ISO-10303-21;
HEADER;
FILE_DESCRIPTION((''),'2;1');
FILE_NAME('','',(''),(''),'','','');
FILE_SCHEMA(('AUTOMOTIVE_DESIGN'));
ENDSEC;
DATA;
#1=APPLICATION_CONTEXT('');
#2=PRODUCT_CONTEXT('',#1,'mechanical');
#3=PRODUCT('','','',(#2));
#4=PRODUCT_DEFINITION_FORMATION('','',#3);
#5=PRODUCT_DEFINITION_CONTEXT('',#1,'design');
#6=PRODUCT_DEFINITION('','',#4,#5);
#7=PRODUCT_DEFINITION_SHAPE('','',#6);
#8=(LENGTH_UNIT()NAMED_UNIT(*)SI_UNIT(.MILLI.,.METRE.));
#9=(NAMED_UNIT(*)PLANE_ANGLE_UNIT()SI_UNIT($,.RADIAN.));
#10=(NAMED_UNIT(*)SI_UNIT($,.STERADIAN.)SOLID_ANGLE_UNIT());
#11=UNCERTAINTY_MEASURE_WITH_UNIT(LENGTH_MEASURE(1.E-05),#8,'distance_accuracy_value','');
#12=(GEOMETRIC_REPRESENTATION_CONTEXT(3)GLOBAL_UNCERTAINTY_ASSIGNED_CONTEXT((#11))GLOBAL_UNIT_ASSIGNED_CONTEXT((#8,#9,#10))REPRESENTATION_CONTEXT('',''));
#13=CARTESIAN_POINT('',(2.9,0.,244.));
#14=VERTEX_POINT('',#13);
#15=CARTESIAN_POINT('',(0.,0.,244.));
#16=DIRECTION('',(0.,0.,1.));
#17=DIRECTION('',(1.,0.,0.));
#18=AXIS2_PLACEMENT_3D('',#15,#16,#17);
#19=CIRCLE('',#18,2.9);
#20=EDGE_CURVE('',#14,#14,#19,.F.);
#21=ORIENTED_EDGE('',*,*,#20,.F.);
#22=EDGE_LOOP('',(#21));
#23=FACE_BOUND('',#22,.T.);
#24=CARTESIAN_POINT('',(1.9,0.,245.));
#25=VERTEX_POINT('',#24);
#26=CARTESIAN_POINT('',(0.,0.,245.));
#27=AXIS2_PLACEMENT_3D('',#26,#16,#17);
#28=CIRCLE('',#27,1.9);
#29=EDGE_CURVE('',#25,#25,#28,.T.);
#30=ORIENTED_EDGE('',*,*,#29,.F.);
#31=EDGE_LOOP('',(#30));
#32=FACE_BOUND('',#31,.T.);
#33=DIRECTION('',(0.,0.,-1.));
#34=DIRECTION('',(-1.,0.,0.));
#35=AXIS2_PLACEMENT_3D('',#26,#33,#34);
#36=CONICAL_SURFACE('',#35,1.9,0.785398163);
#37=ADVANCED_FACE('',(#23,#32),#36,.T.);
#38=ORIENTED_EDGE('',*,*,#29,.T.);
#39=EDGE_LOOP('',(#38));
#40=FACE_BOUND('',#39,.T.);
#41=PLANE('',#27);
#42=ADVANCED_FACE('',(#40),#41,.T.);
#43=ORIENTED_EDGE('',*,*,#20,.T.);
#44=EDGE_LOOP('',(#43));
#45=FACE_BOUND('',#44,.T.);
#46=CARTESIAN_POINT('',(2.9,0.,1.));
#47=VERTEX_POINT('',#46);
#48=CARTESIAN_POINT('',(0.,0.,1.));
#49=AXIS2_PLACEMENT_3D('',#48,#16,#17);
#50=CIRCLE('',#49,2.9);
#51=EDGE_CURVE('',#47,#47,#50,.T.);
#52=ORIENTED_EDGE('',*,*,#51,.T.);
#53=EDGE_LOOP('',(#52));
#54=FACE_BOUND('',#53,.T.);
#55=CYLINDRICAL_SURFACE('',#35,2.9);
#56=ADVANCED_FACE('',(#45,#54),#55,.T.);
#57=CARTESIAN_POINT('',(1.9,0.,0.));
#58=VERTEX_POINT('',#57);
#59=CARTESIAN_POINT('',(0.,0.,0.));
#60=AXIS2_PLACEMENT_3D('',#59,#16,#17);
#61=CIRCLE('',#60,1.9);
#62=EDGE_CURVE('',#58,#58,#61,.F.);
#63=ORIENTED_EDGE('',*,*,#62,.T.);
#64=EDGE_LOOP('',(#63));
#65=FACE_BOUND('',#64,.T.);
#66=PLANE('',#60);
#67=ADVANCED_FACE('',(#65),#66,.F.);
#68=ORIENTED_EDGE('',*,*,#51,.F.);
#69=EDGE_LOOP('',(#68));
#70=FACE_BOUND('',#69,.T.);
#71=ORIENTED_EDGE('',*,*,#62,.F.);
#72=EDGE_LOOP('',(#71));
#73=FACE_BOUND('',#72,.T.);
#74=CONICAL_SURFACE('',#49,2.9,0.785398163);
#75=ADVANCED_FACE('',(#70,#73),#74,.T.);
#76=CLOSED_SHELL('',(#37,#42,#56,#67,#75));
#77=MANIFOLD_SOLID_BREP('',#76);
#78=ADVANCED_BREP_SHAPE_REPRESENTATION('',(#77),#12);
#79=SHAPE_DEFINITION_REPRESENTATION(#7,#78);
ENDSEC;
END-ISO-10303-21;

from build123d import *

# Parameters (mm, degrees)
SKETCH_1_R      = 2.9
EXTRUDE_1_DEPTH = 245
CHAMFER_1_SIZE  = 1


with BuildPart() as part:
    # Эскиз1 → Бобышка-Вытянуть1 (new body)
    with BuildSketch(Plane.XY):
        Circle(SKETCH_1_R)
    extrude(amount=EXTRUDE_1_DEPTH)

    # Фаска1
    chamfer_1_edges = [part.edges().sort_by_distance(p)[0] for p in [
        (-2.9, 0, 0),
        (-2.9, 0, 245),
    ]]
    chamfer(chamfer_1_edges, length=CHAMFER_1_SIZE)


solid = part.part
